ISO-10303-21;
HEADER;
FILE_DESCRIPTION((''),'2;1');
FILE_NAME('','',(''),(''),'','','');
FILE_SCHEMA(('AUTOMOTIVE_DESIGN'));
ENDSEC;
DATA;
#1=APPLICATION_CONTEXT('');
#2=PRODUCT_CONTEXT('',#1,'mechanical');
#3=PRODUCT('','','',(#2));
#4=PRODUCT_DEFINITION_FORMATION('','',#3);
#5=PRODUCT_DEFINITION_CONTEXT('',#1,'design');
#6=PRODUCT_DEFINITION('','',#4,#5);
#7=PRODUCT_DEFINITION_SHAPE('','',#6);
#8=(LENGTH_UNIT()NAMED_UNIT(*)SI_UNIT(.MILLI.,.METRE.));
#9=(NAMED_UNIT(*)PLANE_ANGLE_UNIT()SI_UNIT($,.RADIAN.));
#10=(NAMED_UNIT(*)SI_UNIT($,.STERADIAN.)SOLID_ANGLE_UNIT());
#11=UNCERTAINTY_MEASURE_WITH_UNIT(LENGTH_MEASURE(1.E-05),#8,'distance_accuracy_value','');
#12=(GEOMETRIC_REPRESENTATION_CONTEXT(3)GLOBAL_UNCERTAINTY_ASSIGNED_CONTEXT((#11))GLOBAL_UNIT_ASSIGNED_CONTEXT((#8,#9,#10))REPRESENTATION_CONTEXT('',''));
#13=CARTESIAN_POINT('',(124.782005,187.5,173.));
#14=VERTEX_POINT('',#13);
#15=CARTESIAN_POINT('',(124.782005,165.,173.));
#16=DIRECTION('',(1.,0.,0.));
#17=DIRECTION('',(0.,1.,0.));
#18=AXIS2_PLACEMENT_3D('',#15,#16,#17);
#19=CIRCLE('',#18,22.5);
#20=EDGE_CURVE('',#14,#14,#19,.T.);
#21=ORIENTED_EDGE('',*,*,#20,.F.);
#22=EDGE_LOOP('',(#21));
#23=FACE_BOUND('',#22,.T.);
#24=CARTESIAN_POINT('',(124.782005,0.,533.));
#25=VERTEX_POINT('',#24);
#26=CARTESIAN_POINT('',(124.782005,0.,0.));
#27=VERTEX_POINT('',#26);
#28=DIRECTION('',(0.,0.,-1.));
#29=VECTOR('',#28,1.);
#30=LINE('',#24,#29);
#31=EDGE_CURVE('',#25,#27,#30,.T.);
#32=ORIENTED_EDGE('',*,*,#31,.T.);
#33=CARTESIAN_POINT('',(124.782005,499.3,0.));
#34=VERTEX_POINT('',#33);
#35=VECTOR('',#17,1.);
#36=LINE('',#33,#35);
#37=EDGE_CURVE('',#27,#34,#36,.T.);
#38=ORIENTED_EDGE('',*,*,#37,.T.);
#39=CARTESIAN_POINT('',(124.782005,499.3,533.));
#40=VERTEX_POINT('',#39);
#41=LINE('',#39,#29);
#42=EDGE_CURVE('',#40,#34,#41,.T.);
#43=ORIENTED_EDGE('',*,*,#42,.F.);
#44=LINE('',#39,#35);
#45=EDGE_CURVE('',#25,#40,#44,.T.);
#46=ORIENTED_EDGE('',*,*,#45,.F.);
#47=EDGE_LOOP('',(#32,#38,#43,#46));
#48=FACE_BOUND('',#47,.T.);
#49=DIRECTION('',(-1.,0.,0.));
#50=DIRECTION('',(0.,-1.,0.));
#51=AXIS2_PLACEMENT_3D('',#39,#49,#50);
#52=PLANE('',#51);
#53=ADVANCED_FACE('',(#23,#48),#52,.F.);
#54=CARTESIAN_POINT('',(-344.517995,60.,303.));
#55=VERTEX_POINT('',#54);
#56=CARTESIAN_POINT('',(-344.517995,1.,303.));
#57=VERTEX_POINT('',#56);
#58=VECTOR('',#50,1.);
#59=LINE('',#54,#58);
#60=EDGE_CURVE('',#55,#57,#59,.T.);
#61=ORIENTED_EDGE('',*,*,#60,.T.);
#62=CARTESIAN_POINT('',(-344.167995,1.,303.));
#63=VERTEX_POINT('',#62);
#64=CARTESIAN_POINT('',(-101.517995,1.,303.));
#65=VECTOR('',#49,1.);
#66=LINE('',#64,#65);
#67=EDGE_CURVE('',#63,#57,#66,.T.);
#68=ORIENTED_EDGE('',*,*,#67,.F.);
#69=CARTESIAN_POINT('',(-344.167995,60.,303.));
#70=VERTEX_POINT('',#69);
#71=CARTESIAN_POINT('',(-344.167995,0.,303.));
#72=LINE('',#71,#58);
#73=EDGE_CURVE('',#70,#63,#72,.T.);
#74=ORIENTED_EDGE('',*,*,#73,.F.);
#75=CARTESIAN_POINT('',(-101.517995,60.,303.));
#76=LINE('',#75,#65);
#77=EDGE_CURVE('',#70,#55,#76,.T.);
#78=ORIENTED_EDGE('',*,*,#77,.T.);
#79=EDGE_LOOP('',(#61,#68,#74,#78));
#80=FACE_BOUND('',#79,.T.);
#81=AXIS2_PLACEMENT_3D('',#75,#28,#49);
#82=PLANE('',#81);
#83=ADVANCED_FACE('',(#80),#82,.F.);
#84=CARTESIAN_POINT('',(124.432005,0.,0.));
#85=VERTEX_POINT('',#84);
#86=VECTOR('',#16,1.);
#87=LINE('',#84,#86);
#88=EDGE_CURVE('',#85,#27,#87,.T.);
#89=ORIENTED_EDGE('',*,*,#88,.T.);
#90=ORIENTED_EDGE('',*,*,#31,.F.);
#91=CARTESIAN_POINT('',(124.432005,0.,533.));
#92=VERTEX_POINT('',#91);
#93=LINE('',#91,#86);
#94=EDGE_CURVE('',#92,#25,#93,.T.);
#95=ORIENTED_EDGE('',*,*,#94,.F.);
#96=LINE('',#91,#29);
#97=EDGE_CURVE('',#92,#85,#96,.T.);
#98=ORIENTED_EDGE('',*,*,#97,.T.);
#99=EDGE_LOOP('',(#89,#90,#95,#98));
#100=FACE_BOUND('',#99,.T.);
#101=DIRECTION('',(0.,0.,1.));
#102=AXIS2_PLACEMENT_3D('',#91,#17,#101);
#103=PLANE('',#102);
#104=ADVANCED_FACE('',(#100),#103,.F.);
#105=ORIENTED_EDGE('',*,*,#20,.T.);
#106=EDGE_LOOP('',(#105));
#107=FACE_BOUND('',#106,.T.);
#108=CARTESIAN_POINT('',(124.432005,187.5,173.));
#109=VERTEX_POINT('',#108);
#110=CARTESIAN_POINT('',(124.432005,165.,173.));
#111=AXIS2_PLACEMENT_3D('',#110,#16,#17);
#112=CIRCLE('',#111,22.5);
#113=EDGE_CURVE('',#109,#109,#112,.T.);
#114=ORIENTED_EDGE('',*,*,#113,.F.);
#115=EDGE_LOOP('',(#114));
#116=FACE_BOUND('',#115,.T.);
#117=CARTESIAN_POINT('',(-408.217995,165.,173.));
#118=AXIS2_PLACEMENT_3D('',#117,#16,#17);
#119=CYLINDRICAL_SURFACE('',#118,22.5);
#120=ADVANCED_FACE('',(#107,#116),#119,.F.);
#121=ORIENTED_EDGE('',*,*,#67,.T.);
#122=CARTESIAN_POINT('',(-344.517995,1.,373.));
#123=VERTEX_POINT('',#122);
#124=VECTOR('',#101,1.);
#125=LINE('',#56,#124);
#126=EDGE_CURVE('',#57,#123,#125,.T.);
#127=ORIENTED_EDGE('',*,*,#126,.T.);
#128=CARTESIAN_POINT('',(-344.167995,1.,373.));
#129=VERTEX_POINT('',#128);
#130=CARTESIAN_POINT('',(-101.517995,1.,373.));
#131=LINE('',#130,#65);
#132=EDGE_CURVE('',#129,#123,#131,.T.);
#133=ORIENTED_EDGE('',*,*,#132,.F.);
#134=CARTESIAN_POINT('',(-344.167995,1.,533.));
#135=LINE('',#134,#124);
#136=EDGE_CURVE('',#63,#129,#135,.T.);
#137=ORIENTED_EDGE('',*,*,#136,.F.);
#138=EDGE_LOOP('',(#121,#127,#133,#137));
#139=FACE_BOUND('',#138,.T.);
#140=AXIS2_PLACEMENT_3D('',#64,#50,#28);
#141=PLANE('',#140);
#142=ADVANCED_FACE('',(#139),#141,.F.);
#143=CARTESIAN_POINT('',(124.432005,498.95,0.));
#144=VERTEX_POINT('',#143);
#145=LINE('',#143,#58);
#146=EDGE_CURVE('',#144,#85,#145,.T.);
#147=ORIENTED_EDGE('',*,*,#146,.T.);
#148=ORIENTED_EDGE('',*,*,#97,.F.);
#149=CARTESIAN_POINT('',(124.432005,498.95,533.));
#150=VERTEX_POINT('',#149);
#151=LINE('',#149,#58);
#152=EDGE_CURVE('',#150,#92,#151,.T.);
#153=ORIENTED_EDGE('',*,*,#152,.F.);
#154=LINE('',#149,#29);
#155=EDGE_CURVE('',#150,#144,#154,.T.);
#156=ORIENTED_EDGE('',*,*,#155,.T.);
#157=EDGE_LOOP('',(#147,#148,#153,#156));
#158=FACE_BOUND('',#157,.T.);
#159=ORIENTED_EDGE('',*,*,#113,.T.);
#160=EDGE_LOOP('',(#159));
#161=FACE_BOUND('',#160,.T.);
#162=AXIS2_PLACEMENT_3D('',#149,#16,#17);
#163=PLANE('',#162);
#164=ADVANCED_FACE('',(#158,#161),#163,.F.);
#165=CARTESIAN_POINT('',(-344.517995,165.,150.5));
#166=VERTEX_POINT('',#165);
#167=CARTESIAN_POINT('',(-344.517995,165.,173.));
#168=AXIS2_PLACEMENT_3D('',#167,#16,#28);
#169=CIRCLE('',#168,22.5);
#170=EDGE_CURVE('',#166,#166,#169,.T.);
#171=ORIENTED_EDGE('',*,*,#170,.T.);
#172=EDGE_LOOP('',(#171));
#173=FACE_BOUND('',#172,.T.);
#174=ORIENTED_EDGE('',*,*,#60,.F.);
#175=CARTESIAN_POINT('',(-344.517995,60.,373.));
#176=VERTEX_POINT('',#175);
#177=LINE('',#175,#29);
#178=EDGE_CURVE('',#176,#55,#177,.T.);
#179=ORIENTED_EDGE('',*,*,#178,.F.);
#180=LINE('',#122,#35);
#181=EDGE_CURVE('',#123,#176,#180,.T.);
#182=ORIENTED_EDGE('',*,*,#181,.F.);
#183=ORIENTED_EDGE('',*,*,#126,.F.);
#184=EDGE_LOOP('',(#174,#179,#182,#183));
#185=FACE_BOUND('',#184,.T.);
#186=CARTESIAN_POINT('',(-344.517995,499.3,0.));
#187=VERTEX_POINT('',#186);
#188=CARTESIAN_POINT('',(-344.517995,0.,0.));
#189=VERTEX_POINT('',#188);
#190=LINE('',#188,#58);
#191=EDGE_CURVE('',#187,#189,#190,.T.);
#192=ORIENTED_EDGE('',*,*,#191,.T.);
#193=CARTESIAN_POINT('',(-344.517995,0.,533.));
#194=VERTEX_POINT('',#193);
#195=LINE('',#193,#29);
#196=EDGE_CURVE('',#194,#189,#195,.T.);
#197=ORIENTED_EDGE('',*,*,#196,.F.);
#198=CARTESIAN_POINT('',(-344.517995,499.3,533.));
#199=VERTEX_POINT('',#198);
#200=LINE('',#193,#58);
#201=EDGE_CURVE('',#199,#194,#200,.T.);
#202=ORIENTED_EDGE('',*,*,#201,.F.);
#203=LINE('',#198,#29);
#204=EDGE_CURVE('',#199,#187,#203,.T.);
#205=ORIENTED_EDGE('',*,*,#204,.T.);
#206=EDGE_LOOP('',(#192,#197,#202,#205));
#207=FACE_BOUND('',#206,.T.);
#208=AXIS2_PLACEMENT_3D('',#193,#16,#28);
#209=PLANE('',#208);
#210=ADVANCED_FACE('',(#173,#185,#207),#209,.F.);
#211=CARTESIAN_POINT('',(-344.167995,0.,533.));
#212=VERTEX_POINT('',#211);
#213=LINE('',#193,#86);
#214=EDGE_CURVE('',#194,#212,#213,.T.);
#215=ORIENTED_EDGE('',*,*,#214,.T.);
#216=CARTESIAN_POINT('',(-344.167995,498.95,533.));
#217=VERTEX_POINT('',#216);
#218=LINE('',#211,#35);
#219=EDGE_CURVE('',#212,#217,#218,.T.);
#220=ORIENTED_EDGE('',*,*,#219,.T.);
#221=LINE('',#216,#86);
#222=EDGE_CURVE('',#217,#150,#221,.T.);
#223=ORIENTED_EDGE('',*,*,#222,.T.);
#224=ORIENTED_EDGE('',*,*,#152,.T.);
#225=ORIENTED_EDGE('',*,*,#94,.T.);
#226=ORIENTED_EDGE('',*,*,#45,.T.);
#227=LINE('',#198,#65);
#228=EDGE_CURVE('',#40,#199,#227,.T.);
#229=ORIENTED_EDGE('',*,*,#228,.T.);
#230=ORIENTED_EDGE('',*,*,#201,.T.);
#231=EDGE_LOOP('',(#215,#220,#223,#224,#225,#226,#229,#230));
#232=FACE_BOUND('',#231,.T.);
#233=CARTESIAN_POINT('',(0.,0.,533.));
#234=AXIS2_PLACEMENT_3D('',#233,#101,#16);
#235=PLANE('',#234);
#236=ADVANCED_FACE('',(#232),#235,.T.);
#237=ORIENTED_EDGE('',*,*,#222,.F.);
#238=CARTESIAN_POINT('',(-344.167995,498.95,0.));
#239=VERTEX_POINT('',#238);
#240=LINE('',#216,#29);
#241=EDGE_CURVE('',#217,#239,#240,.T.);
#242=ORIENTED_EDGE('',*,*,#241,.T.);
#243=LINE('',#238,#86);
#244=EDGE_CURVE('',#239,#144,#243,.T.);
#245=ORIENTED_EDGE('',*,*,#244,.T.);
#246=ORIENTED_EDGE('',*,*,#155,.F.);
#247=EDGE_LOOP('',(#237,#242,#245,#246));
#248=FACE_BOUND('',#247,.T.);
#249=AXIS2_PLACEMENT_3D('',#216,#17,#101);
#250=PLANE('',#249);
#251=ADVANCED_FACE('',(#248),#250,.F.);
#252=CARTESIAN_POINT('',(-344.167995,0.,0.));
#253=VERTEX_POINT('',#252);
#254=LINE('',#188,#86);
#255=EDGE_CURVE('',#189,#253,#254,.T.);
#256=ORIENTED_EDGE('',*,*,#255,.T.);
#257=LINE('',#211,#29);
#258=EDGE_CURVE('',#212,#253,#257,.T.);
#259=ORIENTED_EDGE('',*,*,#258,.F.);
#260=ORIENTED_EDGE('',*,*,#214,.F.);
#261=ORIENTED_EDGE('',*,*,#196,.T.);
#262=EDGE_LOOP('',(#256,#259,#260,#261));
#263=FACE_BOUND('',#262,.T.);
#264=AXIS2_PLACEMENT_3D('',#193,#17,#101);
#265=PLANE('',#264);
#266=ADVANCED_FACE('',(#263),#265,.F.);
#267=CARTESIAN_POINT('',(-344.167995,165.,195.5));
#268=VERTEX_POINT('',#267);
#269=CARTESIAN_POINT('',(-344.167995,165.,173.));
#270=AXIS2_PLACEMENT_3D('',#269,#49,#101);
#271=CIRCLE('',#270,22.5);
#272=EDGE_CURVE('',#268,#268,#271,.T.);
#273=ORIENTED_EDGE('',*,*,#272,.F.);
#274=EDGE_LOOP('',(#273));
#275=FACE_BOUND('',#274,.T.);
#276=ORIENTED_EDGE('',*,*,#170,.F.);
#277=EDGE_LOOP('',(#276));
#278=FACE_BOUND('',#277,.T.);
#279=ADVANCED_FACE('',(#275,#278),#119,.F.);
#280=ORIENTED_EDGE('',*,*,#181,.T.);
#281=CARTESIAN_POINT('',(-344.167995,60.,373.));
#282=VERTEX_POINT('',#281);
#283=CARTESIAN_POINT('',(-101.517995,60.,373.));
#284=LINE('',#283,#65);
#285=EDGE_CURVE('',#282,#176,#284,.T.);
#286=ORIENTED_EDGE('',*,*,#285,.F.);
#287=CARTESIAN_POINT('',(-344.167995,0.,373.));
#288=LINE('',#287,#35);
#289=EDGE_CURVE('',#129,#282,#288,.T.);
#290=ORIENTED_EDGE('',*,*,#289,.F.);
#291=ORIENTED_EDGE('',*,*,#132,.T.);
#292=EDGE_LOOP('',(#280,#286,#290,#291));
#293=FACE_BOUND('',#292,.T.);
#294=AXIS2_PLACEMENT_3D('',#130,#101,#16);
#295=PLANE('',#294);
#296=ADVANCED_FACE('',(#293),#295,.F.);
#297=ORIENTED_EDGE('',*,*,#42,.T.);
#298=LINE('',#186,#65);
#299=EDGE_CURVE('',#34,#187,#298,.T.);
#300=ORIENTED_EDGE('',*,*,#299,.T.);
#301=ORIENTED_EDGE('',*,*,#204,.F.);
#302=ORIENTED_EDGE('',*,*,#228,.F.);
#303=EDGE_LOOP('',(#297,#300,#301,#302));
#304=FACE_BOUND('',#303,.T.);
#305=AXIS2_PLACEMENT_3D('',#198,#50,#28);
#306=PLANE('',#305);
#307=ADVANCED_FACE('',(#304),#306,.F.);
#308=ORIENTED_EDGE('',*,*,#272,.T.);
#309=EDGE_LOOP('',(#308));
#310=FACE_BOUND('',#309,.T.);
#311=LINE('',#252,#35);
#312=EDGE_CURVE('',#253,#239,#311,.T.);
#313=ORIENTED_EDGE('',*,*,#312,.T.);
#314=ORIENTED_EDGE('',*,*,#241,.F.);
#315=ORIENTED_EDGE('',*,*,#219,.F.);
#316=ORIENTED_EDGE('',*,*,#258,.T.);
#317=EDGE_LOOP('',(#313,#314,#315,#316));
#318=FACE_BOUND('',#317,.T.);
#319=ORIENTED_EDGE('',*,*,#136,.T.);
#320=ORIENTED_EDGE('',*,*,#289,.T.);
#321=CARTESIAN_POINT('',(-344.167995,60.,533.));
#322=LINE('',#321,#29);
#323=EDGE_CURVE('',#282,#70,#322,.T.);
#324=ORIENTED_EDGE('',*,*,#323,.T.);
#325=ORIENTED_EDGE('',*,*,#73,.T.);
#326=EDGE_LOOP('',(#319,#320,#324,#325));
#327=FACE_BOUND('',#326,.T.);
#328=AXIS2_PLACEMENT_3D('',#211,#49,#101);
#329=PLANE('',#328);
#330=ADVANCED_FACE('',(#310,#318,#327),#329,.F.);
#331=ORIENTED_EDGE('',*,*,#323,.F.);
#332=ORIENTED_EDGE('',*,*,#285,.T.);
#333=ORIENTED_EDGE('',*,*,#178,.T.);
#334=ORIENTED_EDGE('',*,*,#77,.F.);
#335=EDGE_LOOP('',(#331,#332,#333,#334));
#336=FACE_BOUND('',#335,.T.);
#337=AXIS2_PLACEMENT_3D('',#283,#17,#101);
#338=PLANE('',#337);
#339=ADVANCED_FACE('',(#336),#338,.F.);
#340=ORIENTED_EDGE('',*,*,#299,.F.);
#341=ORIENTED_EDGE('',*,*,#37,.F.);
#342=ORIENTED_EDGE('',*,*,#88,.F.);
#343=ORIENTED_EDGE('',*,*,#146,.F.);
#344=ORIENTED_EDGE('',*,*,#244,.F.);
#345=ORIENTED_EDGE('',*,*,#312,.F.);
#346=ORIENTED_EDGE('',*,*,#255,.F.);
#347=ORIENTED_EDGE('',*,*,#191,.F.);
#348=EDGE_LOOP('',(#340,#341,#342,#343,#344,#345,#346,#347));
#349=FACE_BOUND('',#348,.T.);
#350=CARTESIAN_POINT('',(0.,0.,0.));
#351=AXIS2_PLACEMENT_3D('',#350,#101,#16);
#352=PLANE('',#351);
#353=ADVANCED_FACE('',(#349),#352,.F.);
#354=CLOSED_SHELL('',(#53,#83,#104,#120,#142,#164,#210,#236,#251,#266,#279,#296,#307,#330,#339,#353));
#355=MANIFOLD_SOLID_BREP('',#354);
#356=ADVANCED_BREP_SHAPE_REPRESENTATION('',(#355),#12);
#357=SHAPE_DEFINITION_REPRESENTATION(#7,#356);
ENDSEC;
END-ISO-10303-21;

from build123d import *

# Parameters (mm, degrees)
BOSS_EXTRUDE1_DEPTH = 533
SKETCH2_R           = 22.5
CUT_EXTRUDE1_DEPTH  = 533
SKETCH3_W           = 70
SKETCH3_H           = 59
CUT_EXTRUDE2_DEPTH  = 243


with BuildPart() as part:
    # Sketch1 → Boss-Extrude1 (new body)
    with BuildSketch(Plane.XY):
        Polygon((-344.517995001, 0), (-344.517995001, 499.3), (124.782004999, 499.3), (124.782004999, 0), (124.432004999, 0), (124.432004999, 498.95), (-344.167995001, 498.95), (-344.167995001, 0), align=None)
    extrude(amount=BOSS_EXTRUDE1_DEPTH)

    # Sketch2 → Cut-Extrude1 (cut)
    with BuildSketch(Plane(origin=(124.782004999, 0, 0), x_dir=(0, 0, -1), z_dir=(1, 0, 0))):
        with Locations((-173, 165)):
            Circle(SKETCH2_R)
    extrude(amount=-CUT_EXTRUDE1_DEPTH, mode=Mode.SUBTRACT)

    # Sketch3 → Cut-Extrude2 (cut)
    with BuildSketch(Plane.ZY.offset(344.517995001)):
        with Locations((338, 30.5)):
            Rectangle(SKETCH3_W, SKETCH3_H)
    extrude(amount=-CUT_EXTRUDE2_DEPTH, mode=Mode.SUBTRACT)


solid = part.part
